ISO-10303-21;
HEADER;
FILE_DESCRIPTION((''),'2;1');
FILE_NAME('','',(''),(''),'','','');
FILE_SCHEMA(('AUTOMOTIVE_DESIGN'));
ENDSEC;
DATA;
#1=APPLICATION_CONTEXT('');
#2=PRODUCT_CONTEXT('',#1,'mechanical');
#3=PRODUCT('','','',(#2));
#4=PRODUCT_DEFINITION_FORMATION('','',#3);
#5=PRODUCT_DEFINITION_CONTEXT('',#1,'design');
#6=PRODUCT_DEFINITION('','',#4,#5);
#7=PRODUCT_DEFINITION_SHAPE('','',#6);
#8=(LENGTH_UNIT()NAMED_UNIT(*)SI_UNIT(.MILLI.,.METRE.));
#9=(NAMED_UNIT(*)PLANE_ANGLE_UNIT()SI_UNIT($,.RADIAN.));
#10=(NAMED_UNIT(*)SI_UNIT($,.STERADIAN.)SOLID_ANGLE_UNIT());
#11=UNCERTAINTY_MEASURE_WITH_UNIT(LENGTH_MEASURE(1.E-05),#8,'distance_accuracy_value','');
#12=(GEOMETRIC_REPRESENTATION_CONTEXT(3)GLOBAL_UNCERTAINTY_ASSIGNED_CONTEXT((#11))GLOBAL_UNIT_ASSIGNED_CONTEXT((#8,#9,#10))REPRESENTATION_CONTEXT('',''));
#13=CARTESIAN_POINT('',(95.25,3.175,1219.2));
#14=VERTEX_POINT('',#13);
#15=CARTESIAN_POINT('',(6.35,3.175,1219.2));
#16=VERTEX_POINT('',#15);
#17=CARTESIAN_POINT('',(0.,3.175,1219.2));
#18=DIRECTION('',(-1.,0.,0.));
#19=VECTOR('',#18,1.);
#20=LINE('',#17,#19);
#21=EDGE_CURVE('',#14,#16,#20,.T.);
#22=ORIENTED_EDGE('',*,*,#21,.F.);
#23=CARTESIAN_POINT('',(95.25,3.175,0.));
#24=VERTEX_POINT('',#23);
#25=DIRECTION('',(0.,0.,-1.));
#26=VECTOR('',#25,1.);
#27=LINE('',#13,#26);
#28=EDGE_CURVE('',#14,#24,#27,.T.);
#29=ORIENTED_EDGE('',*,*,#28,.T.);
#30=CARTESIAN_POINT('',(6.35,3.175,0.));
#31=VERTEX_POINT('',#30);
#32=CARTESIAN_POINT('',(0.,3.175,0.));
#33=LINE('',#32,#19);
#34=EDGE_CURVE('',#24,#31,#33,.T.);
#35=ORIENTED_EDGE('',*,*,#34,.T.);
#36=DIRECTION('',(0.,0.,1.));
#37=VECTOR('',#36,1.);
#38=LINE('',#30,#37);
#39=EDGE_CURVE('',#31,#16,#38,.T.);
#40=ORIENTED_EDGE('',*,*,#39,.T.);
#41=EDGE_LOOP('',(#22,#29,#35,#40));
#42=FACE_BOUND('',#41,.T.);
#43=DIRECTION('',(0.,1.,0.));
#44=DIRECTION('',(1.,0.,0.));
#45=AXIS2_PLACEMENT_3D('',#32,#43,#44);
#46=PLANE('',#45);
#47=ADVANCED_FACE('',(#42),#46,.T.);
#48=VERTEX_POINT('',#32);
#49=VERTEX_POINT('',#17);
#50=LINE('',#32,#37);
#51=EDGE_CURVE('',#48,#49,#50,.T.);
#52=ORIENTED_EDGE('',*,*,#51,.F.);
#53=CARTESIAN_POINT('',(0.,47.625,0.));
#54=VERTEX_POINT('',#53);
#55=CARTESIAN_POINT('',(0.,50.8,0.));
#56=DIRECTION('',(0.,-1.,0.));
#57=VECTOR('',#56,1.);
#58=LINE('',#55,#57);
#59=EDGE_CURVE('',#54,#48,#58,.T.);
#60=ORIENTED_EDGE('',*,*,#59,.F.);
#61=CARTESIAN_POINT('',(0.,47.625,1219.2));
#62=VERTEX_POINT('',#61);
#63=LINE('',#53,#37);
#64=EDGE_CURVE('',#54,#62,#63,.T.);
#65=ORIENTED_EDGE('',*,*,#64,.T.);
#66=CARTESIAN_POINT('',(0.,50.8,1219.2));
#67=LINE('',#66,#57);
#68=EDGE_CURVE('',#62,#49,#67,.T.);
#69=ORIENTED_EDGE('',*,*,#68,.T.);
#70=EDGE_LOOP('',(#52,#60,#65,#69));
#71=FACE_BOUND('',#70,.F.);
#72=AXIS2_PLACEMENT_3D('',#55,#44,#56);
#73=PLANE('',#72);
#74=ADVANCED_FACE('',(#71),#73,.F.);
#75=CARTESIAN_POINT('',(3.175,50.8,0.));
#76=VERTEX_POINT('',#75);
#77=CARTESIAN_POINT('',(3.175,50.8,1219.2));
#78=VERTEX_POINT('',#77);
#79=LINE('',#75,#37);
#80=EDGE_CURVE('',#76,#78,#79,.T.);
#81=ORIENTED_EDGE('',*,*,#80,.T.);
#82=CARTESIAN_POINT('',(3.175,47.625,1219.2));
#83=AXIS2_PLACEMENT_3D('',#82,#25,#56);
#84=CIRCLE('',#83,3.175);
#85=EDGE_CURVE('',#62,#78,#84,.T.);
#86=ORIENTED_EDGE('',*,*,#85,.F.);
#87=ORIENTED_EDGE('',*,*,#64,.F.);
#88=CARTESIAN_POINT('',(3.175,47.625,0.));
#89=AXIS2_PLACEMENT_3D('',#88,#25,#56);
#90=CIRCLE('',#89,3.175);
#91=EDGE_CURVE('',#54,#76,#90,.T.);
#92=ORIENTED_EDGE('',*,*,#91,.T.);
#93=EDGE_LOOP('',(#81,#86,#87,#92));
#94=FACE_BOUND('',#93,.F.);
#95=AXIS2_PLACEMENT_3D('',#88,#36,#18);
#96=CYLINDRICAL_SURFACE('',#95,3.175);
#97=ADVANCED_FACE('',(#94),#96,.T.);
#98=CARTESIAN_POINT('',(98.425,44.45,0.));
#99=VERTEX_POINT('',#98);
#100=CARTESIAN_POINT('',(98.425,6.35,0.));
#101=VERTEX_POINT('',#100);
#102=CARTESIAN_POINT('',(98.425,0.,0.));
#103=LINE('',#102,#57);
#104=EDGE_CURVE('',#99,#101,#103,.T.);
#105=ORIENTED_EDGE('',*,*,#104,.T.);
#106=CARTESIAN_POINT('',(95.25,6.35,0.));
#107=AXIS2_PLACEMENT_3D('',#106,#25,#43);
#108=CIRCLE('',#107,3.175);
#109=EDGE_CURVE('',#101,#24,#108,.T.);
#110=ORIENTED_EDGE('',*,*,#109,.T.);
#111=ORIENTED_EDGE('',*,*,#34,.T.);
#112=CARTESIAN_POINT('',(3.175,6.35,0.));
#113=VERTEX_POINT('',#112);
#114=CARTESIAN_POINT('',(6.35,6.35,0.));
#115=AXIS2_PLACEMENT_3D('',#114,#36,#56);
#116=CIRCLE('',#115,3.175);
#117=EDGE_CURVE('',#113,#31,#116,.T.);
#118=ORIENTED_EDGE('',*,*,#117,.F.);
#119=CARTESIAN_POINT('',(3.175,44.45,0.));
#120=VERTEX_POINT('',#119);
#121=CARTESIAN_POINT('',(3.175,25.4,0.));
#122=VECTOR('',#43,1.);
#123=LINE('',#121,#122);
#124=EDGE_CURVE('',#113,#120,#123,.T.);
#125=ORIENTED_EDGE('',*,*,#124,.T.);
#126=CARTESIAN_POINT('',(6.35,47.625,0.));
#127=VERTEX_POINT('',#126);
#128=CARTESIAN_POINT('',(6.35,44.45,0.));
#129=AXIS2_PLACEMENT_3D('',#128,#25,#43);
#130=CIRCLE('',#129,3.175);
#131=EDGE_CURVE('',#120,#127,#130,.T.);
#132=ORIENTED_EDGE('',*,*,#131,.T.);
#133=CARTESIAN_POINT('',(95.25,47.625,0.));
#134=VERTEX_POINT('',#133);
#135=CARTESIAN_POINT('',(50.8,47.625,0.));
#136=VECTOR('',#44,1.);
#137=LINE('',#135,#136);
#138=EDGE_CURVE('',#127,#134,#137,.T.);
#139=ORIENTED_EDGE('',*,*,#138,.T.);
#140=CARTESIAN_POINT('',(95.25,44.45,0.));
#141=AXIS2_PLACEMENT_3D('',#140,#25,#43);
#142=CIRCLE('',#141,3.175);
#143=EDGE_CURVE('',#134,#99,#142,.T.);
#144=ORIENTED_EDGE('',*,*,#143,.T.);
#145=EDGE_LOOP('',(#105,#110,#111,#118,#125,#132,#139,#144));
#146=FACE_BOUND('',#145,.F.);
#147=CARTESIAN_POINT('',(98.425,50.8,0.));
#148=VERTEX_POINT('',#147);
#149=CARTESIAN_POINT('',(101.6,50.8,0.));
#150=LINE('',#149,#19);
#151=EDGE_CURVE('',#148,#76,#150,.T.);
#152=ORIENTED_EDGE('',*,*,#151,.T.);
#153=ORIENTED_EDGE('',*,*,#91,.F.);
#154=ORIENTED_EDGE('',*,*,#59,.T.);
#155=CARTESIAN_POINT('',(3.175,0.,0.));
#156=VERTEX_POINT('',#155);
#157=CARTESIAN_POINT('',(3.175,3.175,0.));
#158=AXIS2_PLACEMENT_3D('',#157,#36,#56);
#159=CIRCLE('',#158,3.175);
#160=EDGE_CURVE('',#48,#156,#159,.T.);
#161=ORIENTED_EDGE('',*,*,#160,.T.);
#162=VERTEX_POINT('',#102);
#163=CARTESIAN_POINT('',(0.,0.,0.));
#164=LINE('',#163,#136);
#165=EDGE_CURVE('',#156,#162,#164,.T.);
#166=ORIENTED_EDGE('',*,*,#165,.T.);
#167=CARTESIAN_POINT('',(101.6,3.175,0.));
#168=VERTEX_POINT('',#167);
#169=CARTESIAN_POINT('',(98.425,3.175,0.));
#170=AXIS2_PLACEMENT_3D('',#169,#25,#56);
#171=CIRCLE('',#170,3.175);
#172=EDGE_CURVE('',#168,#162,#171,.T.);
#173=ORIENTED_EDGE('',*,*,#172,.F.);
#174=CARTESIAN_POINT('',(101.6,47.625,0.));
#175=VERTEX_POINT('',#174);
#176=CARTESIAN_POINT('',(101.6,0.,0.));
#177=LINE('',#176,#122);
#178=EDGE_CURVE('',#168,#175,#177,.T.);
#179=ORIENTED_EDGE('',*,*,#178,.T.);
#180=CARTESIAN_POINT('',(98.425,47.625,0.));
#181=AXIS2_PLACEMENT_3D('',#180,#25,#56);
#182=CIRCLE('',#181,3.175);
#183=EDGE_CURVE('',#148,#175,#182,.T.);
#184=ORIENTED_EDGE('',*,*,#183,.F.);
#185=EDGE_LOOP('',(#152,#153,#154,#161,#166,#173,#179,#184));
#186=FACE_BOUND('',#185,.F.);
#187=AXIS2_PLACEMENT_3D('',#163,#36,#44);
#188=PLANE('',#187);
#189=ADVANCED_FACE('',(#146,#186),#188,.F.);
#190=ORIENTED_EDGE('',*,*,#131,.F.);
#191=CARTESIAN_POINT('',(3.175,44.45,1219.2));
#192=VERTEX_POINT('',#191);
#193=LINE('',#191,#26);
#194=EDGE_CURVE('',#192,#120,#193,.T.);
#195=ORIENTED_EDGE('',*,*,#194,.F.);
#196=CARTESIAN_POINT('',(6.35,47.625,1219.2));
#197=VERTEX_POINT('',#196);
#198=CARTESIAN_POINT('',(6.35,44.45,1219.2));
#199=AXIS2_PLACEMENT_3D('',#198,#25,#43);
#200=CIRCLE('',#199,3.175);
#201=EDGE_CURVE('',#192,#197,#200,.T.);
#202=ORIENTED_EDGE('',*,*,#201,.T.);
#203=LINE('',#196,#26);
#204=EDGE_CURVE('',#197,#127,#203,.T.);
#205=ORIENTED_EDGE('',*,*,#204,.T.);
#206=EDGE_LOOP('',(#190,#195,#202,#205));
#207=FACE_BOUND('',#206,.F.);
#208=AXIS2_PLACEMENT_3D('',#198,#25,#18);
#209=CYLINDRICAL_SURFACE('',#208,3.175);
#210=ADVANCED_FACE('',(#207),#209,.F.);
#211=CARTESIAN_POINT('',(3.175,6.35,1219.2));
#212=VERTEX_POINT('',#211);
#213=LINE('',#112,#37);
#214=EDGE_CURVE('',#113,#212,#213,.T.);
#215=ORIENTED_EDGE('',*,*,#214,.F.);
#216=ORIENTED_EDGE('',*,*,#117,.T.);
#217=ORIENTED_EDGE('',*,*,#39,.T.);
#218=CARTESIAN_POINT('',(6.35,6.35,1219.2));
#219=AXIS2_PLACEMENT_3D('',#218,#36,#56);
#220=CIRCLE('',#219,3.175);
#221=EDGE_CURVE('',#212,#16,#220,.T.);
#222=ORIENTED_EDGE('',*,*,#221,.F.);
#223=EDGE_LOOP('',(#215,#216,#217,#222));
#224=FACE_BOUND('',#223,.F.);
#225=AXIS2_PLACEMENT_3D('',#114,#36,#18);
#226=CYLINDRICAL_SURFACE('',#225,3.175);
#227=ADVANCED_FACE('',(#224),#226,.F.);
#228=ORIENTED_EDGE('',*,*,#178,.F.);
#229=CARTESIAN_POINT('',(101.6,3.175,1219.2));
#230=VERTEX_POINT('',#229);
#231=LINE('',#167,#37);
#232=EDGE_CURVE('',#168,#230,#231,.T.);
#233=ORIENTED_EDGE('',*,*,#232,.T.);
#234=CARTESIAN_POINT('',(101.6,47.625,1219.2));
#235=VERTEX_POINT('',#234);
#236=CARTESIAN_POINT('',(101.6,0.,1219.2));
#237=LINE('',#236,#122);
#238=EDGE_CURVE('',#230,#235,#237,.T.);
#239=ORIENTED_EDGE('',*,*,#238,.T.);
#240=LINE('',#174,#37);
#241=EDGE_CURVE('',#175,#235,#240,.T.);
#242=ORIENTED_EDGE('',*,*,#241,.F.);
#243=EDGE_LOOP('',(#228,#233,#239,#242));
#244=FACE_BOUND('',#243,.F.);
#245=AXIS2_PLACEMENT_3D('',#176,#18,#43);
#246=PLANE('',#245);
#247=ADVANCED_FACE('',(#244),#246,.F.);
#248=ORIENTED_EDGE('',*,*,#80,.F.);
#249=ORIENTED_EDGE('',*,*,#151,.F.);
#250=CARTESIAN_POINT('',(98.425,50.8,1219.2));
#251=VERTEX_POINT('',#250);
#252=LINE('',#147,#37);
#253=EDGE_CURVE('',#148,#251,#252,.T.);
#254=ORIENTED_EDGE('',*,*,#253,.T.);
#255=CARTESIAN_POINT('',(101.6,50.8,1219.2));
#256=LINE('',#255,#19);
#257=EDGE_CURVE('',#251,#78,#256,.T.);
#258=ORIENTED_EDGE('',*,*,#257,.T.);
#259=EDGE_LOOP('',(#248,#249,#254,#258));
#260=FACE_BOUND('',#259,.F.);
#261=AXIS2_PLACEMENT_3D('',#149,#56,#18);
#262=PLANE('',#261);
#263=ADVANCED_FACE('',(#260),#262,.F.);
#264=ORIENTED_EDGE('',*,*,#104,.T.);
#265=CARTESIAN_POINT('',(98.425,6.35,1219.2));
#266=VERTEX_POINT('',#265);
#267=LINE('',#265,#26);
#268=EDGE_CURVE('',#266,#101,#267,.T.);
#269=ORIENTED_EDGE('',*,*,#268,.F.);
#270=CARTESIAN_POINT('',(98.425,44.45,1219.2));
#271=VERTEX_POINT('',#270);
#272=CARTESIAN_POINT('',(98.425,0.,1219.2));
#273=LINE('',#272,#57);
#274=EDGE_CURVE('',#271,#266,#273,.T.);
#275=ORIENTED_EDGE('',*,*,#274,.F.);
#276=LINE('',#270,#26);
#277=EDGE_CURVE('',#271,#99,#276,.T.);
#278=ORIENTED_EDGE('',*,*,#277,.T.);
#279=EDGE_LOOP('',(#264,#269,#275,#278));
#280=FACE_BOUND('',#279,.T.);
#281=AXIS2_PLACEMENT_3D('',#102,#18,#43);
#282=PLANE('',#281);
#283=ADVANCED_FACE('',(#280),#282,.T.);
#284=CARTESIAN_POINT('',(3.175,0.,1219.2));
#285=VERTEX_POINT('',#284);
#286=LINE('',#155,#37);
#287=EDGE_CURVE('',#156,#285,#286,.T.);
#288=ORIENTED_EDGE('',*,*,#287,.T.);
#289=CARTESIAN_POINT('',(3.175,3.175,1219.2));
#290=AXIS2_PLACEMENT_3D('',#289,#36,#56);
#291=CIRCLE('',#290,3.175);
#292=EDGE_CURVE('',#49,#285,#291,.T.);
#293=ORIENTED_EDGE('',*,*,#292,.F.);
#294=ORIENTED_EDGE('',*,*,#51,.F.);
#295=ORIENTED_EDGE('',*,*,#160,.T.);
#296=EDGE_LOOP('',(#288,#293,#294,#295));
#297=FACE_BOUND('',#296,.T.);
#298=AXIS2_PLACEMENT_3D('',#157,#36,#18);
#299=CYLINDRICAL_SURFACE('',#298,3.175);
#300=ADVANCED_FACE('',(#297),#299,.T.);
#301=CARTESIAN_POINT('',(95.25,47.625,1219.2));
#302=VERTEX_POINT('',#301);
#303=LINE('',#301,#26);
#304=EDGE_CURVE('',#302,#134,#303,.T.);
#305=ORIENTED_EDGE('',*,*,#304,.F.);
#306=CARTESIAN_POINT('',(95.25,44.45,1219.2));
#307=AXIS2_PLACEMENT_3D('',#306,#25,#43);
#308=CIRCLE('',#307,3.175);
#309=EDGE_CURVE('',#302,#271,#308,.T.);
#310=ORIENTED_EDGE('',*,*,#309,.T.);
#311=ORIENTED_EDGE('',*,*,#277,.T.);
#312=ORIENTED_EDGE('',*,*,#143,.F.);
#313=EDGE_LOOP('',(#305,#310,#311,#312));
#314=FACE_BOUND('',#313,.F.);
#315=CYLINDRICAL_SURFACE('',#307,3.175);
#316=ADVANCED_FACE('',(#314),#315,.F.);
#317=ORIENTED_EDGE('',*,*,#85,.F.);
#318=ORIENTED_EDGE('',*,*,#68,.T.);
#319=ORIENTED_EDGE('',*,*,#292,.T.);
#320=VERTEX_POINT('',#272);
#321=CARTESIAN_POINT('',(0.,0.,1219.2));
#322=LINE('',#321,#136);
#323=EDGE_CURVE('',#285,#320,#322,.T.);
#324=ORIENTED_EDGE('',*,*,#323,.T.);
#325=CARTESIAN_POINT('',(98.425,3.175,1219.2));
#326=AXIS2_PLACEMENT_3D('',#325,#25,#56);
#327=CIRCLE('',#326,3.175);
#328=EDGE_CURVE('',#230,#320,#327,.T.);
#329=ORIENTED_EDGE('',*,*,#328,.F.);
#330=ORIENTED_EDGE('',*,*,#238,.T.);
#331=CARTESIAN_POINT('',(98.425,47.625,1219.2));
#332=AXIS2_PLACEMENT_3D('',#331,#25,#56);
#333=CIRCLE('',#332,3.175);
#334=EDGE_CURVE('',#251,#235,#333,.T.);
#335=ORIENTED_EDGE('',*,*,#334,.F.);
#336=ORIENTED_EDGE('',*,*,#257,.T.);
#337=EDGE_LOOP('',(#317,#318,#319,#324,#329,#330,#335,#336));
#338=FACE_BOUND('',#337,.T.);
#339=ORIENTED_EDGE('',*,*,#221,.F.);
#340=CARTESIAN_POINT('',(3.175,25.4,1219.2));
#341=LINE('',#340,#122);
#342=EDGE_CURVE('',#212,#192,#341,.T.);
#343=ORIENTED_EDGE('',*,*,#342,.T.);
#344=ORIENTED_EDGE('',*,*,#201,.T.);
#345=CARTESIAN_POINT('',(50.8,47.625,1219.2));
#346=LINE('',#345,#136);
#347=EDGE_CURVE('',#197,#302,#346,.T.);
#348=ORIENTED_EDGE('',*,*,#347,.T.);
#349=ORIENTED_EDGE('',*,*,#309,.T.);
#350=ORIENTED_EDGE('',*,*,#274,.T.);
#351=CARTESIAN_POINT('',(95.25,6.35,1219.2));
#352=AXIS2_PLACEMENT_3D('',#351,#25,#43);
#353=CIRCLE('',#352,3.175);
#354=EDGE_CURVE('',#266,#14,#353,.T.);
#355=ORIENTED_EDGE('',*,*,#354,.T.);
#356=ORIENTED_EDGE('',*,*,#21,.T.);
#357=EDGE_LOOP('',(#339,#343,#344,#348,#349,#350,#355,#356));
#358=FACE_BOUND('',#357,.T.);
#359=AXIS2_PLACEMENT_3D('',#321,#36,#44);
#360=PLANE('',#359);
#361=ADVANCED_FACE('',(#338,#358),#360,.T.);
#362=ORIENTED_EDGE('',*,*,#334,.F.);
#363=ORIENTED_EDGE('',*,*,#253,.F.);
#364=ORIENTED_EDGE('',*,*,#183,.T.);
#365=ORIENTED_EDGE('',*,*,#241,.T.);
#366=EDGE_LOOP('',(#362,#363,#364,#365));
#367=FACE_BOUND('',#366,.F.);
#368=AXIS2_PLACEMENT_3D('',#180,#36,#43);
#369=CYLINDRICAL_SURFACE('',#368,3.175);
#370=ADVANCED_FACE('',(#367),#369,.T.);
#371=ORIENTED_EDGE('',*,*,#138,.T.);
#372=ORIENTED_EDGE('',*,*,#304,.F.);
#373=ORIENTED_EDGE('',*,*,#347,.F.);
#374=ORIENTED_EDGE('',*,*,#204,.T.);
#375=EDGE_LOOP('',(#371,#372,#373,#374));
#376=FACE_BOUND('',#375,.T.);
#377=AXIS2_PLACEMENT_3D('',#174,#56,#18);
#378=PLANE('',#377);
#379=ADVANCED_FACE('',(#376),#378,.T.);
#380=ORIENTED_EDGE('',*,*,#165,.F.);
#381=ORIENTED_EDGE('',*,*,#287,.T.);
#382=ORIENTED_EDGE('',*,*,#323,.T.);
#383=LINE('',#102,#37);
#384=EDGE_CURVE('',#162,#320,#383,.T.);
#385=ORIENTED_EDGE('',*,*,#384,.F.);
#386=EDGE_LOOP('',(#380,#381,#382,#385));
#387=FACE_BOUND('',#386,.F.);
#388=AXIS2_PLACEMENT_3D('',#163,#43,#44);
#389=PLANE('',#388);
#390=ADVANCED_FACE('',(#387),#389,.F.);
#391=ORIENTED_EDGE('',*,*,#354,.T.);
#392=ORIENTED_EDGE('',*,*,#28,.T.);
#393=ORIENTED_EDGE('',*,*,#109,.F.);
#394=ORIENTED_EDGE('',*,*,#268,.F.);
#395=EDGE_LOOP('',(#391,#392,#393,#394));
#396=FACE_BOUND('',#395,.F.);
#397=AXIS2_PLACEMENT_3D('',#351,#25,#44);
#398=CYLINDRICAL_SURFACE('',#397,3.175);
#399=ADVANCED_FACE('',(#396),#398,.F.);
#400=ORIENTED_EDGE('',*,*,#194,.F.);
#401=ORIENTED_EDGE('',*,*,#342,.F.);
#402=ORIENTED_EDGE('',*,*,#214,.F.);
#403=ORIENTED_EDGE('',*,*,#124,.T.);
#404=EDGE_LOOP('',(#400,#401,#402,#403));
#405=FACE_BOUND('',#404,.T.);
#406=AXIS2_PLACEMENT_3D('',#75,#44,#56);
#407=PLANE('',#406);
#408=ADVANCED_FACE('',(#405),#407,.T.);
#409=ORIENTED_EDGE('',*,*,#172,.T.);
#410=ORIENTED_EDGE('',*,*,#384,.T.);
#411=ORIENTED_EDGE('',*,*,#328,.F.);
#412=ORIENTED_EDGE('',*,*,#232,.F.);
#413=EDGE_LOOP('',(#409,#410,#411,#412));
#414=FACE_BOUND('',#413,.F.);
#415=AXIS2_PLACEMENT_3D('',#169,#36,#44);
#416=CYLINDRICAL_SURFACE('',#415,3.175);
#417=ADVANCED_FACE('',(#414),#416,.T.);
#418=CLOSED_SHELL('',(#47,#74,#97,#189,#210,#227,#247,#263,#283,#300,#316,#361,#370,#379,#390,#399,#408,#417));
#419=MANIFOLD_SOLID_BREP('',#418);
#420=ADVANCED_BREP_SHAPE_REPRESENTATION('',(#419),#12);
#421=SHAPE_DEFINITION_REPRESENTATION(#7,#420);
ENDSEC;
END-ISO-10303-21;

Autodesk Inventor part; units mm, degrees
ref_plane "YZ Plane" through (0, 0, 0) normal (1, 0, 0) x (0, 1, 0)
ref_plane "XZ Plane" through (0, 0, 0) normal (0, 1, 0) x (-1, 0, 0)
ref_plane "XY Plane" through (0, 0, 0) normal (0, 0, 1) x (1, 0, 0)
sketch "Sketch1" plane through (0, 0, 0) normal (0, 0, 1) x (1, 0, 0)
  line L0 (0, 0) -> (101.6, 0)
  line L1 (101.6, 0) -> (101.6, 50.8)
  line L2 (101.6, 50.8) -> (0, 50.8)
  line L3 (0, 50.8) -> (0, 0)
  dimension "d0" = 101.6
  dimension "d1" = 50.8
extrude "Extrusion1" add sketch "Sketch1" along normal blind 1219.2
shell "Shell1" thickness 3.175 removed faces 2 at (67.7333, 16.9333, 0) at (67.7333, 16.9333, 1219.2)
fillet "Fillet1" radius 3.175 8 edges at (0, 50.8, 609.6) (3.175, 3.175, 609.6) (98.425, 3.175, 609.6) (3.175, 47.625, 609.6) (98.425, 47.625, 609.6) (101.6, 50.8, 609.6) (0, 0, 609.6) (101.6, 0, 609.6)
properties part number "2x3_Tube"
